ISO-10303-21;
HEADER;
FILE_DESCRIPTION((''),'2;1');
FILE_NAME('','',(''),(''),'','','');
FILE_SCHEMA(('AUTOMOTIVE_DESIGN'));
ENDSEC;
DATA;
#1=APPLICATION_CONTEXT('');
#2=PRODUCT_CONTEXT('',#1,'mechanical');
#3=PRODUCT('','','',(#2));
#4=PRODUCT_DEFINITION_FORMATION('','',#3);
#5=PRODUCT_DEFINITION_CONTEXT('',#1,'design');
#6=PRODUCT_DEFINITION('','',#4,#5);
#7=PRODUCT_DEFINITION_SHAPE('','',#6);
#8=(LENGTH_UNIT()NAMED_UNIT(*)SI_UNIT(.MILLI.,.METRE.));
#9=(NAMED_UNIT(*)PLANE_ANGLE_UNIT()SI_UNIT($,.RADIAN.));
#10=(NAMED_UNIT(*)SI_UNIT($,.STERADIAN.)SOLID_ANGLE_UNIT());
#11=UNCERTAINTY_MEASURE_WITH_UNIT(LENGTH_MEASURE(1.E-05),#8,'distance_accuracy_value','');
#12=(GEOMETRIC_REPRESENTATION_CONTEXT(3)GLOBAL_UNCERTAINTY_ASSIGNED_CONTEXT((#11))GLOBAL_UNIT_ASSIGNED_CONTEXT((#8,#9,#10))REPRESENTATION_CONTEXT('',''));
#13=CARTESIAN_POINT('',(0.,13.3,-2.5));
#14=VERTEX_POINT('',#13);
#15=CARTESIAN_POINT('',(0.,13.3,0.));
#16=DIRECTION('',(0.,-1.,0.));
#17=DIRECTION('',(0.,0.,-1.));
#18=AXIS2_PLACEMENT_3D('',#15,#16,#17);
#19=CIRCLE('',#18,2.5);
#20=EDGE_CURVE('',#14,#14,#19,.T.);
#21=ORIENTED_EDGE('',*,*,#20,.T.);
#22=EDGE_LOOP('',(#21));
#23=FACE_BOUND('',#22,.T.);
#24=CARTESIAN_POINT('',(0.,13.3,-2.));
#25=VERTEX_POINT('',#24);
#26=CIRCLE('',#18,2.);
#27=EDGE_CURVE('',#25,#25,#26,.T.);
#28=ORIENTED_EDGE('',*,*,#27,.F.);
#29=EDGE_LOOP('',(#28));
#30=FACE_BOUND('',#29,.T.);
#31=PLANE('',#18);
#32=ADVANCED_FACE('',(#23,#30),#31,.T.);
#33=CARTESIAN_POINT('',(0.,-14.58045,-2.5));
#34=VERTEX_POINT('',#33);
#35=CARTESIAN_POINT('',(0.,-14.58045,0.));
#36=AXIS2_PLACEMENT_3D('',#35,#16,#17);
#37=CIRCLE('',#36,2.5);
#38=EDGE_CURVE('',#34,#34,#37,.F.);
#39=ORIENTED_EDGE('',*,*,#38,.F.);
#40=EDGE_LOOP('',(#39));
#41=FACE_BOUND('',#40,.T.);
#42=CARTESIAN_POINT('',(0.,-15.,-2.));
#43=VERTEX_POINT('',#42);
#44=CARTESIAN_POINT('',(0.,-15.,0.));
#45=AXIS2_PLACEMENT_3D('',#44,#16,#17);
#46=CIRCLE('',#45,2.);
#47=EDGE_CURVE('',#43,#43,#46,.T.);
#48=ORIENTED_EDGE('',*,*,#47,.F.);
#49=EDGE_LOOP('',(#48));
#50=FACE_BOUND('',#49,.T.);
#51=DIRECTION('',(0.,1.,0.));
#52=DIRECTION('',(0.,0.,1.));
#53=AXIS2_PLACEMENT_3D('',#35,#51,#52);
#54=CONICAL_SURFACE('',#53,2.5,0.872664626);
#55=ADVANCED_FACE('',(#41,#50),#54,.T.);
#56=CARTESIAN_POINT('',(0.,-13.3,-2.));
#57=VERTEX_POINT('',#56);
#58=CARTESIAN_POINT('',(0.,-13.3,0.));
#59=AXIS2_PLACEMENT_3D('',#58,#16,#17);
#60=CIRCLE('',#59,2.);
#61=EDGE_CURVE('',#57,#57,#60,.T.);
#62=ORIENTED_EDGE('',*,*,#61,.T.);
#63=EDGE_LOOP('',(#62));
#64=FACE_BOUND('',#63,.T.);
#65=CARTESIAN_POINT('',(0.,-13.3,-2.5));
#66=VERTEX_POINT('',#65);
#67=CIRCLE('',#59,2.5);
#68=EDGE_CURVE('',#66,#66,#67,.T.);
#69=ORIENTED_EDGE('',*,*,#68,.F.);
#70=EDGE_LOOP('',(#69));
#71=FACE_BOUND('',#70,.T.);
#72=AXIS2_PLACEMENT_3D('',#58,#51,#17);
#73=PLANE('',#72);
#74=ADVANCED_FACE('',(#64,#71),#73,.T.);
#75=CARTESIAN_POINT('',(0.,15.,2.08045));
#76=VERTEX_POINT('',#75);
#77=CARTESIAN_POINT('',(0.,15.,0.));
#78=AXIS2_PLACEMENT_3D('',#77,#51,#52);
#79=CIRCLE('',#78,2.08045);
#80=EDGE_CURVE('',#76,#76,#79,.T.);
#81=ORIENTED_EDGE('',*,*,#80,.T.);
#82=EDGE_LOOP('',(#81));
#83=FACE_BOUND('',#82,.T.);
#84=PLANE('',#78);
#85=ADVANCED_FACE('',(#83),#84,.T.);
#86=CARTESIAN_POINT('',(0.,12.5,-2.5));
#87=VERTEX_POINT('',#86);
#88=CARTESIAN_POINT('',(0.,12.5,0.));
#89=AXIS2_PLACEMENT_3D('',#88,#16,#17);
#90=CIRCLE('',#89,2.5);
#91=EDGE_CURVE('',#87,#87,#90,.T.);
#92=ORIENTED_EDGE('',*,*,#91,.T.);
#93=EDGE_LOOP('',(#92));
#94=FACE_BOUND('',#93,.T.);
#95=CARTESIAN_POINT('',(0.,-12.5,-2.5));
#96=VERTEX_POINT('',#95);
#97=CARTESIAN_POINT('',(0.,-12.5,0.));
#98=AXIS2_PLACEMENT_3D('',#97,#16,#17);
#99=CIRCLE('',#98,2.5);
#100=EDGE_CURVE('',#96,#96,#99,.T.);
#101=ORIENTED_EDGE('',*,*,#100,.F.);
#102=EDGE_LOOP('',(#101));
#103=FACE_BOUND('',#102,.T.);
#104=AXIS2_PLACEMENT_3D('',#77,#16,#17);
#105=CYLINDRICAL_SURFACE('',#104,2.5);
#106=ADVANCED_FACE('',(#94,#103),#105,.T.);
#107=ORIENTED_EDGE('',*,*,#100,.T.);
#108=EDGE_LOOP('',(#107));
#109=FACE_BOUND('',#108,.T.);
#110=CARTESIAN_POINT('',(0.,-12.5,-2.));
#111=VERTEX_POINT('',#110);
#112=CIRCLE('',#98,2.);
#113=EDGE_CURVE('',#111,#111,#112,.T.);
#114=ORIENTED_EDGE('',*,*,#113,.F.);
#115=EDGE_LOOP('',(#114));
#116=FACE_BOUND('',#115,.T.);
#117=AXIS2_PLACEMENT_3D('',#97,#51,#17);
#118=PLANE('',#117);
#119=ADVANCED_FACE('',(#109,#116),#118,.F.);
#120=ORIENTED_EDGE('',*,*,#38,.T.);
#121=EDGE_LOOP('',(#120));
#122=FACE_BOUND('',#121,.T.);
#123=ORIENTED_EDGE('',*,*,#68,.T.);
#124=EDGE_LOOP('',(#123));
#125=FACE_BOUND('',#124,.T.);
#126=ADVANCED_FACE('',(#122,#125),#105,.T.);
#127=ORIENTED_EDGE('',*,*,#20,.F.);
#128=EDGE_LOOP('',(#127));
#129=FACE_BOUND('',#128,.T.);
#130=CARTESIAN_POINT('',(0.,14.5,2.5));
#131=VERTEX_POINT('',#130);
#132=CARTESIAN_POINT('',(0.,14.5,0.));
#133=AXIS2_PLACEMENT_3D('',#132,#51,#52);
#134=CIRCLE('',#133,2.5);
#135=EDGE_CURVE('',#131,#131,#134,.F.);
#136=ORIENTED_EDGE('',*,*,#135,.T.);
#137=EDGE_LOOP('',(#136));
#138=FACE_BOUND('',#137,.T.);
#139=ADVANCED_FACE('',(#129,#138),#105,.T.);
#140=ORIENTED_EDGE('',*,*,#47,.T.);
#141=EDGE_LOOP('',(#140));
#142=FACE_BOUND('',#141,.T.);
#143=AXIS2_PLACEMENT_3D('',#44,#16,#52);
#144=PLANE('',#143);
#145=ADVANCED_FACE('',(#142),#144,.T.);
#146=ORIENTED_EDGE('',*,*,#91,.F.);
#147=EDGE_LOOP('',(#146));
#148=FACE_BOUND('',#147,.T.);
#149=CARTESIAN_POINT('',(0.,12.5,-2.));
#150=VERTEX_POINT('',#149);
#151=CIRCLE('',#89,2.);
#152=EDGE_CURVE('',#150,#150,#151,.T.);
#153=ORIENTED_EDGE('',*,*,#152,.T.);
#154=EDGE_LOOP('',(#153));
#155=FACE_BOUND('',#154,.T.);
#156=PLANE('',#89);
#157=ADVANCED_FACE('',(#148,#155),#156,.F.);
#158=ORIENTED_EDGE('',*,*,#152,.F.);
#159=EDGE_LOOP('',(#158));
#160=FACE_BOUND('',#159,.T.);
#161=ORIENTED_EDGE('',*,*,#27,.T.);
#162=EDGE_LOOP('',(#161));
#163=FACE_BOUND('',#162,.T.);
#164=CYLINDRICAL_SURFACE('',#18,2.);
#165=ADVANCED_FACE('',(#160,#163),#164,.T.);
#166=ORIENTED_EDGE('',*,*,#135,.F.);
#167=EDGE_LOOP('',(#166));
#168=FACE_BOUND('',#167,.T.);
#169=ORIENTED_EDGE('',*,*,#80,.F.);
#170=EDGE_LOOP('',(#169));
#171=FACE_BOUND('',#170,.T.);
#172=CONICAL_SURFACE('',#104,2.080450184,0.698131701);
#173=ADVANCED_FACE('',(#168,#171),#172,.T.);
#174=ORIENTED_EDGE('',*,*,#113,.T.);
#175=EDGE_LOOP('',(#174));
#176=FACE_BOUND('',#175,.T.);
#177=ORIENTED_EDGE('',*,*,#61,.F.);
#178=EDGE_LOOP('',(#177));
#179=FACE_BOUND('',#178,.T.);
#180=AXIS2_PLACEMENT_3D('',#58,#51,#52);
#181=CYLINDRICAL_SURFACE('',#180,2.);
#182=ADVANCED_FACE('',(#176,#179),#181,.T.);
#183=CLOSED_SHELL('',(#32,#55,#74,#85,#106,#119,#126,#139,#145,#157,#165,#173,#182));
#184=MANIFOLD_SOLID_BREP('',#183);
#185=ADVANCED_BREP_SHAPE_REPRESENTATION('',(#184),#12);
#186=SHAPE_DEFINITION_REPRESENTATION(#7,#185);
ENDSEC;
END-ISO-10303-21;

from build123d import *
from OCP.BRepFilletAPI import BRepFilletAPI_MakeChamfer

# Parameters (mm, degrees)
SKETCH_1_R          = 2.5
EXTRUDE_1_DEPTH     = 15
SKETCH_2_R          = 2.5
SKETCH_2_R_2        = 2
CUT_EXTRUDE_1_DEPTH = 0.8
CHAMFER_1_SIZE      = 0.5
CHAMFER_1_SIZE2     = 0.419549816


with BuildPart() as part:
    # 草图1 → 凸台-拉伸1 (new body)
    with BuildSketch(Plane(origin=(0, 0, 0), x_dir=(1, 0, 0), z_dir=(0, 1, 0))):
        with Locations(Location((0, 0, 0), (0, 0, 270))):
            Circle(SKETCH_1_R)
    extrude_1 = extrude(amount=EXTRUDE_1_DEPTH)

    # 草图2 → 切除-拉伸1 (cut)
    with BuildSketch(Plane(origin=(0, 12.5, 0), x_dir=(-1, 0, 0), z_dir=(0, -1, 0))):
        with Locations(Location((0, 0, 0), (0, 0, 90))):
            Circle(SKETCH_2_R)
        with Locations(Location((0, 0, 0), (0, 0, 90))):
            Circle(SKETCH_2_R_2, mode=Mode.SUBTRACT)
    cut_extrude_1 = extrude(amount=-CUT_EXTRUDE_1_DEPTH, mode=Mode.SUBTRACT)

    # 镜向1: 凸台-拉伸1, 切除-拉伸1 across plane
    add(extrude_1.mirror(Plane.ZX))
    add(cut_extrude_1.mirror(Plane.ZX), mode=Mode.SUBTRACT)

    # 倒角1: one chamfer whose edges measure the first distance from different faces: ONE call of the kernel's chamfer builder (chamfer() names one face for all edges)
    chamfer_1_edges_1 = [part.edges().sort_by_distance(p)[0] for p in [
        (0, -15, -2.5),
    ]]
    chamfer_1_side_1 = [part.faces().sort_by_distance(p)[0] for p in [
        (0, -15, 0),
    ]]
    chamfer_1_edges_2 = [part.edges().sort_by_distance(p)[0] for p in [
        (0, 15, -2.5),
    ]]
    chamfer_1_side_2 = [part.faces().sort_by_distance(p)[0] for p in [
        (0, 14.15, -2.5),
    ]]
    chamfer_1 = BRepFilletAPI_MakeChamfer(part.part.solid().wrapped)
    for e in chamfer_1_edges_1:
        chamfer_1.Add(CHAMFER_1_SIZE, CHAMFER_1_SIZE2, e.wrapped, chamfer_1_side_1[0].wrapped)  # the first distance lies on this face
    for e in chamfer_1_edges_2:
        chamfer_1.Add(CHAMFER_1_SIZE, CHAMFER_1_SIZE2, e.wrapped, chamfer_1_side_2[0].wrapped)  # the first distance lies on this face
    add(Compound.cast(chamfer_1.Shape()), mode=Mode.REPLACE)


solid = part.part
